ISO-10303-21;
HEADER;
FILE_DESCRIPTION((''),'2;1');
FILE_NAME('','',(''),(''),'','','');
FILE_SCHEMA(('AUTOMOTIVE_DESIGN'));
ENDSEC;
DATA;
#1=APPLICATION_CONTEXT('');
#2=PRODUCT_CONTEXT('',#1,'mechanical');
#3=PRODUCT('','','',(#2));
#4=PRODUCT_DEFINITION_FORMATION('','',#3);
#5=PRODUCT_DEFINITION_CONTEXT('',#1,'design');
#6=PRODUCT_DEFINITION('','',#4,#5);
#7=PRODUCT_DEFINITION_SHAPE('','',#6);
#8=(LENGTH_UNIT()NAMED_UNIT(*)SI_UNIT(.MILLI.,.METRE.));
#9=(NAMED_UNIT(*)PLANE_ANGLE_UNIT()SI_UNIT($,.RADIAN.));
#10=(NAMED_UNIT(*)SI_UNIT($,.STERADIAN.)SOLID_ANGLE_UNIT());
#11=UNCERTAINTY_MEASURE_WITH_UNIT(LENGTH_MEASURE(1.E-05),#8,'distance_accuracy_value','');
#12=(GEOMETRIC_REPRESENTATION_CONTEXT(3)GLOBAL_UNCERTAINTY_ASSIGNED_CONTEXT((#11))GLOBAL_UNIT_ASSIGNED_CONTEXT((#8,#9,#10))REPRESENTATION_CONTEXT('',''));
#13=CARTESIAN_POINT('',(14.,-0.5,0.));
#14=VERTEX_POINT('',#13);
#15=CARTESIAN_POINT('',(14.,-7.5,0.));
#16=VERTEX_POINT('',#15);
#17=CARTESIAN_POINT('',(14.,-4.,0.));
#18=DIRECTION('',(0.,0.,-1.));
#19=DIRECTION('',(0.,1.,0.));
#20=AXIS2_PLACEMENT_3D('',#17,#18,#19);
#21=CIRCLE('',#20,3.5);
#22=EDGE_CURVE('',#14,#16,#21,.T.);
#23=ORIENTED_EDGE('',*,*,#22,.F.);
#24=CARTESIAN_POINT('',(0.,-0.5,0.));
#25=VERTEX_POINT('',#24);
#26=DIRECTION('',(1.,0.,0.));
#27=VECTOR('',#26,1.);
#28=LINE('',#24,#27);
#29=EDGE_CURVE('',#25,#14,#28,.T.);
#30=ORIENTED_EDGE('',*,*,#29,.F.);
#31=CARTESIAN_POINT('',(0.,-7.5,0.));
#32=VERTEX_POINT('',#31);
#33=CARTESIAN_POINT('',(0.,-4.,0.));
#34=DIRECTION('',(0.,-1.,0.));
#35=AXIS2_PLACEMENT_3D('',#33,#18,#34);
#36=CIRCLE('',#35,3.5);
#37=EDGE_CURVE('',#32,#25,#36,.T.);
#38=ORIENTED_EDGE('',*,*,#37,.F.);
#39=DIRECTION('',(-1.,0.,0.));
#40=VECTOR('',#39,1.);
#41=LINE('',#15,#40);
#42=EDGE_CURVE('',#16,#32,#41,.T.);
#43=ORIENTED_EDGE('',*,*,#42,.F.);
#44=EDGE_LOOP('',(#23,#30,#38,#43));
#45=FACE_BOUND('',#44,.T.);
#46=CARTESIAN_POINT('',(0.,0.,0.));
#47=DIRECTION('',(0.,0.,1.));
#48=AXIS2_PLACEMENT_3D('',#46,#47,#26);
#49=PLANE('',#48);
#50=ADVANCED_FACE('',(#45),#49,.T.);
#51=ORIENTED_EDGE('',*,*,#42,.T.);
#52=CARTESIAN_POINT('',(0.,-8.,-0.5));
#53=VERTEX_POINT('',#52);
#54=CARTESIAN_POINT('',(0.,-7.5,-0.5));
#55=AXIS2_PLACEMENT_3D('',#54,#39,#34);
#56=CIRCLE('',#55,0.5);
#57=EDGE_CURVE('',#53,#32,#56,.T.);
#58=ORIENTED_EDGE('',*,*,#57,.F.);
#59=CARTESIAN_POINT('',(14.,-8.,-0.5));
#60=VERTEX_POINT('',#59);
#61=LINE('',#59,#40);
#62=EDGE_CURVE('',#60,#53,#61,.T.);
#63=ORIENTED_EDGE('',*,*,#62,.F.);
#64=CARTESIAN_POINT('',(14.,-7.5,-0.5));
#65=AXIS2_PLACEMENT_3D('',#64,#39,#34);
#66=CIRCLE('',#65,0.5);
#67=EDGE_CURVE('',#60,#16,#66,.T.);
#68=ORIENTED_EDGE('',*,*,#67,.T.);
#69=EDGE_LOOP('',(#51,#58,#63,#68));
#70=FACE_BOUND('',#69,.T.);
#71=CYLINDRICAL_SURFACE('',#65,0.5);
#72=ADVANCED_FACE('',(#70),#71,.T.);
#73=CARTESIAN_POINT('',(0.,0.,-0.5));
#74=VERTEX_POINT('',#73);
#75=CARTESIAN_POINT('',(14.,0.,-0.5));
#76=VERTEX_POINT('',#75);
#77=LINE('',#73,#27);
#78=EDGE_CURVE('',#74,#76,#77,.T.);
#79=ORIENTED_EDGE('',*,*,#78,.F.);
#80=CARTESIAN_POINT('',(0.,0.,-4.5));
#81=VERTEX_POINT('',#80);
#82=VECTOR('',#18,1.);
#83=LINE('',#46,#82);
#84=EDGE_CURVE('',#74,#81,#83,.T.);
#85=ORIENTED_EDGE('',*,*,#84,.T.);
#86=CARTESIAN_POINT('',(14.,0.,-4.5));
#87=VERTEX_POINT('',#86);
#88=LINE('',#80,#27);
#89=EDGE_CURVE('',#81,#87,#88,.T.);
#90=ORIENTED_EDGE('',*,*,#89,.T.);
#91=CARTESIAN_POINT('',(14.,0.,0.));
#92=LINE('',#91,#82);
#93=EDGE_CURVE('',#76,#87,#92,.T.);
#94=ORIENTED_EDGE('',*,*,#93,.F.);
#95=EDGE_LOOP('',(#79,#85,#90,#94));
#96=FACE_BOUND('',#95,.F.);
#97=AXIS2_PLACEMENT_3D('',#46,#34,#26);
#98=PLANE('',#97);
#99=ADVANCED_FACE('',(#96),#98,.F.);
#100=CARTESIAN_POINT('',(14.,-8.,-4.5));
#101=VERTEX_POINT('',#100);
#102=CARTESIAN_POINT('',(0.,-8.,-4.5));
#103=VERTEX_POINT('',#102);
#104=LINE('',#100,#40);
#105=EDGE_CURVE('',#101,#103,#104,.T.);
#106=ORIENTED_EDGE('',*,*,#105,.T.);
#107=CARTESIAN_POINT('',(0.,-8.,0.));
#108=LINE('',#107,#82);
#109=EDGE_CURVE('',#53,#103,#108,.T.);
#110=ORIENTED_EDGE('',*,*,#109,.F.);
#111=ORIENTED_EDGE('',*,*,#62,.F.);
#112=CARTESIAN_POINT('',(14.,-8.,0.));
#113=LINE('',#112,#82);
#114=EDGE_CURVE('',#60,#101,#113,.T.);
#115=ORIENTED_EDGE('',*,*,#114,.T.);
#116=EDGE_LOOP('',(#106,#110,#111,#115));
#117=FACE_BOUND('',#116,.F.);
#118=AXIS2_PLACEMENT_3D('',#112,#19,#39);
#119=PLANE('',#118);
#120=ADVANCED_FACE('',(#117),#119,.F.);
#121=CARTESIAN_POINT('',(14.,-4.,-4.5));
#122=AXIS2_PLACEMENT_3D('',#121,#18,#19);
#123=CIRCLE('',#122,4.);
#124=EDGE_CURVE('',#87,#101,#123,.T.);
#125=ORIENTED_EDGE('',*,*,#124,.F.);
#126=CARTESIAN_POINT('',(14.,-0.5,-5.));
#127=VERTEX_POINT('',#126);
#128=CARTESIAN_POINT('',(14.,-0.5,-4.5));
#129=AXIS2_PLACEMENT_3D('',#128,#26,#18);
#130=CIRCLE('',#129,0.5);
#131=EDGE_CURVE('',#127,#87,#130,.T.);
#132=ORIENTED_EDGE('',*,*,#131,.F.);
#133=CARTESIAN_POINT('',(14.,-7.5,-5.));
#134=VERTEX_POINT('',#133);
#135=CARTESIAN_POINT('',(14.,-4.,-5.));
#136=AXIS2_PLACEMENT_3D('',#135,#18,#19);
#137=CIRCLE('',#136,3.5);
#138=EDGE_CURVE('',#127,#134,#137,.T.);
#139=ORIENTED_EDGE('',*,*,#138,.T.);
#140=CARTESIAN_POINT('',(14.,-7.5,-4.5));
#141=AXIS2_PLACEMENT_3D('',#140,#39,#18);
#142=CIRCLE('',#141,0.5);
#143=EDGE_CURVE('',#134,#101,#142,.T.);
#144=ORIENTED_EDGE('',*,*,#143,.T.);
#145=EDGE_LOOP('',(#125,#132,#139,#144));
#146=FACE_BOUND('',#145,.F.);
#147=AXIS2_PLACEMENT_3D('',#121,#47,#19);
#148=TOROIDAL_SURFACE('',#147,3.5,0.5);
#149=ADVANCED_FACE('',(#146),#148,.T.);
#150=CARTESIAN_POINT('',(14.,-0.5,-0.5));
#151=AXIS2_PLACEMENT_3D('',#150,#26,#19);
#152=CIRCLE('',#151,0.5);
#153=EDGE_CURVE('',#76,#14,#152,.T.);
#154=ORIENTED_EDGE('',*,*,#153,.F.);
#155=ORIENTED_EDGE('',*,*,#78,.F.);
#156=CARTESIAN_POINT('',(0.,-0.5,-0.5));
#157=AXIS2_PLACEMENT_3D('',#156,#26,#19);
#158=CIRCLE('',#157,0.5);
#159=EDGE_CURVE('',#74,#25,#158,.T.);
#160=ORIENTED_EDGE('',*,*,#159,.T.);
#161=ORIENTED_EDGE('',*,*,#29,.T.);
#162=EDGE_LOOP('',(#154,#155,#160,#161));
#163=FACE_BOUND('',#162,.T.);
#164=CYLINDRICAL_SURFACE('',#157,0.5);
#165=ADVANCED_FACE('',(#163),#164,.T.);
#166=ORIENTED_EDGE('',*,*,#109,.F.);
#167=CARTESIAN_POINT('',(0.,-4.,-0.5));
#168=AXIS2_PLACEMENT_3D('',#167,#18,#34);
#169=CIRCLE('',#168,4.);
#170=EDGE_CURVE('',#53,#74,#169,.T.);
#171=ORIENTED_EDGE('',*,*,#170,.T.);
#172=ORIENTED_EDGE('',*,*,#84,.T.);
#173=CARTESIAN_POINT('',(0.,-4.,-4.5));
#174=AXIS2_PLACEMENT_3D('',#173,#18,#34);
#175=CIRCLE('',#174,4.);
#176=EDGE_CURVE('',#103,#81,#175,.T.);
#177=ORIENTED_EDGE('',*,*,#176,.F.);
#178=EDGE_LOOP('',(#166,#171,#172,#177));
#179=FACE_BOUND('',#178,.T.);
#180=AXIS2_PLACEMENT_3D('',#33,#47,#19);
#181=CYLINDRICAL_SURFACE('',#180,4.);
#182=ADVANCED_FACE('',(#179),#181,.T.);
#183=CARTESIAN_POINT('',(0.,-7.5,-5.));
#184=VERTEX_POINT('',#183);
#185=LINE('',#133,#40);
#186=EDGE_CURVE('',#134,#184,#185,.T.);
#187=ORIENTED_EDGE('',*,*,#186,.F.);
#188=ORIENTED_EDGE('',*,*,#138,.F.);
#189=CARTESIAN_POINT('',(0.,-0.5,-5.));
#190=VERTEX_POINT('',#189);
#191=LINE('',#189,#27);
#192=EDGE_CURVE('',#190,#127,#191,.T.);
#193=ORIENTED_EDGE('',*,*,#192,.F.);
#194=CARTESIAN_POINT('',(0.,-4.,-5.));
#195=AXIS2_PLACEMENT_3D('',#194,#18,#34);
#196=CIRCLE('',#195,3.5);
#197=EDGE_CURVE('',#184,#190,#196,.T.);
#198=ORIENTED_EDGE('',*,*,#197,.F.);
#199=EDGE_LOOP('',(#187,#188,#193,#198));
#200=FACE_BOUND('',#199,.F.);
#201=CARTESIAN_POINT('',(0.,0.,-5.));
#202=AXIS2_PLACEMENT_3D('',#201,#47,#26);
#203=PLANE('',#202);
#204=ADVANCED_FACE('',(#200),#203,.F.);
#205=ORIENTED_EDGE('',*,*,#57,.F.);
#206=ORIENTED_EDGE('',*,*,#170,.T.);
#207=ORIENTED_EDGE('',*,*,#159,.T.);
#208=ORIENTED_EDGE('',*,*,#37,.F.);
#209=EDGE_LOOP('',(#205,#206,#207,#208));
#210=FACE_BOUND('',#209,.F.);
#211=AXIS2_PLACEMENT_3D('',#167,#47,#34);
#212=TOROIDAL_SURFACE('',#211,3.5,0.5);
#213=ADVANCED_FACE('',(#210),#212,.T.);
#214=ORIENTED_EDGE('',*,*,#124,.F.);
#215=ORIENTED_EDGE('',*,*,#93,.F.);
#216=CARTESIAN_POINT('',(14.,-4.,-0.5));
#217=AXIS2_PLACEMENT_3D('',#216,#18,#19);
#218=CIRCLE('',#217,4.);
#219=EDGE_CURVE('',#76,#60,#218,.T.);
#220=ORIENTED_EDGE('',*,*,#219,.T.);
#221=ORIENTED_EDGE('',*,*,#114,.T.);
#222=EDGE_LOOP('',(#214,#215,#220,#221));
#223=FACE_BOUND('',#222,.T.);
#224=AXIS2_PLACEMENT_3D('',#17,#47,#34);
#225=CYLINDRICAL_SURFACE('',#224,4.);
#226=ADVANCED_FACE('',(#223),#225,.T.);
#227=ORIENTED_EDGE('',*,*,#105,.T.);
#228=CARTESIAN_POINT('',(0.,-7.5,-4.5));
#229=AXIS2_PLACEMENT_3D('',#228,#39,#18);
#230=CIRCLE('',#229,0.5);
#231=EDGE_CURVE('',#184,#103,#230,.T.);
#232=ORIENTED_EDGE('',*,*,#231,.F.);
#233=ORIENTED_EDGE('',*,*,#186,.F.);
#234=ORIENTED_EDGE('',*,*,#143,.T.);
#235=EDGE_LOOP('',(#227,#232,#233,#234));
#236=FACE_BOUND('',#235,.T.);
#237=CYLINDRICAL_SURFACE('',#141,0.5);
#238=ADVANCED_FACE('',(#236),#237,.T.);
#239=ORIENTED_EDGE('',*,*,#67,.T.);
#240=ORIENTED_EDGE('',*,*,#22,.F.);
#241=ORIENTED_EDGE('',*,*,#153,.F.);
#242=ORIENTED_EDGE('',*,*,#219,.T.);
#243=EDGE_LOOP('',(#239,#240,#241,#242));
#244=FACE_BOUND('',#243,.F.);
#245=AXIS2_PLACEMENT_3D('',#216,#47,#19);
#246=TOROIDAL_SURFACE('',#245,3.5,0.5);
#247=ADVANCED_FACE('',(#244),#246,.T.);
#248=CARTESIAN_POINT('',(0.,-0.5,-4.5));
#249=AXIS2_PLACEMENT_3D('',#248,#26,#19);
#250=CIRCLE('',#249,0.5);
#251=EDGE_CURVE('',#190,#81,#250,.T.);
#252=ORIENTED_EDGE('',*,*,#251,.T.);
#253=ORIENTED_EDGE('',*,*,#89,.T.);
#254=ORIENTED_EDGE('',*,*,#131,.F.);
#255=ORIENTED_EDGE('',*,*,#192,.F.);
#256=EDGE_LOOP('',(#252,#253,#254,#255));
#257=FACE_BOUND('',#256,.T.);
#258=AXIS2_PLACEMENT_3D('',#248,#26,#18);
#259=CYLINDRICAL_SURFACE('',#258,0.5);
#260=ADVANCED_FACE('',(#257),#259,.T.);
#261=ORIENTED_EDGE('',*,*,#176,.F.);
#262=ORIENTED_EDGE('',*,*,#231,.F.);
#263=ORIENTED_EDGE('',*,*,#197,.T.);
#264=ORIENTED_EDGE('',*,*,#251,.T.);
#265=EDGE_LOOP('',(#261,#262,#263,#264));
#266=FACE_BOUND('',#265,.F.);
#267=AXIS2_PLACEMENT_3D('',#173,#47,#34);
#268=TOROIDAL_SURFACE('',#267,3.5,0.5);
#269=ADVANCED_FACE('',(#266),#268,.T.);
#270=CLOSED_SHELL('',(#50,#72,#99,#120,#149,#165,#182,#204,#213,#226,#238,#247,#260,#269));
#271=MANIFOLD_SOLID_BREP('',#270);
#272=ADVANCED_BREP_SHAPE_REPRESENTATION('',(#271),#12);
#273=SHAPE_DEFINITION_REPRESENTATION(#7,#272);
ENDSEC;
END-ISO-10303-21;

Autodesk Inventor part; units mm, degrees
ref_plane "YZ Plane" through (0, 0, 0) normal (1, 0, 0) x (0, 1, 0)
ref_plane "XZ Plane" through (0, 0, 0) normal (0, 1, 0) x (-1, 0, 0)
ref_plane "XY Plane" through (0, 0, 0) normal (0, 0, 1) x (1, 0, 0)
sketch "草图1" plane through (0, 0, 0) normal (0, 0, 1) x (1, 0, 0)
  line L0 (0, 0) -> (14, 0)
  line L1 (14, 0) -> (14, -8)
  line L2 (14, -8) -> (0, -8)
  line L3 (0, -8) -> (0, 0)
  arc A0 (14, -8) -> (14, 0) centre (14, -4) ccw
  arc A1 (0, 0) -> (0, -8) centre (0, -4) ccw
  dimension "d0" = 14
  dimension "d1" = 8
extrude "拉伸1" add sketch "草图1" against normal blind 5
fillet "圆角1" radius 0.5 8 edges at (7, 0, 0) (-4, -4, 0) (7, -8, 0) (18, -4, 0) (7, -8, -5) (-4, -4, -5) (7, 0, -5) (18, -4, -5)
properties part number "装填盘轴键"
